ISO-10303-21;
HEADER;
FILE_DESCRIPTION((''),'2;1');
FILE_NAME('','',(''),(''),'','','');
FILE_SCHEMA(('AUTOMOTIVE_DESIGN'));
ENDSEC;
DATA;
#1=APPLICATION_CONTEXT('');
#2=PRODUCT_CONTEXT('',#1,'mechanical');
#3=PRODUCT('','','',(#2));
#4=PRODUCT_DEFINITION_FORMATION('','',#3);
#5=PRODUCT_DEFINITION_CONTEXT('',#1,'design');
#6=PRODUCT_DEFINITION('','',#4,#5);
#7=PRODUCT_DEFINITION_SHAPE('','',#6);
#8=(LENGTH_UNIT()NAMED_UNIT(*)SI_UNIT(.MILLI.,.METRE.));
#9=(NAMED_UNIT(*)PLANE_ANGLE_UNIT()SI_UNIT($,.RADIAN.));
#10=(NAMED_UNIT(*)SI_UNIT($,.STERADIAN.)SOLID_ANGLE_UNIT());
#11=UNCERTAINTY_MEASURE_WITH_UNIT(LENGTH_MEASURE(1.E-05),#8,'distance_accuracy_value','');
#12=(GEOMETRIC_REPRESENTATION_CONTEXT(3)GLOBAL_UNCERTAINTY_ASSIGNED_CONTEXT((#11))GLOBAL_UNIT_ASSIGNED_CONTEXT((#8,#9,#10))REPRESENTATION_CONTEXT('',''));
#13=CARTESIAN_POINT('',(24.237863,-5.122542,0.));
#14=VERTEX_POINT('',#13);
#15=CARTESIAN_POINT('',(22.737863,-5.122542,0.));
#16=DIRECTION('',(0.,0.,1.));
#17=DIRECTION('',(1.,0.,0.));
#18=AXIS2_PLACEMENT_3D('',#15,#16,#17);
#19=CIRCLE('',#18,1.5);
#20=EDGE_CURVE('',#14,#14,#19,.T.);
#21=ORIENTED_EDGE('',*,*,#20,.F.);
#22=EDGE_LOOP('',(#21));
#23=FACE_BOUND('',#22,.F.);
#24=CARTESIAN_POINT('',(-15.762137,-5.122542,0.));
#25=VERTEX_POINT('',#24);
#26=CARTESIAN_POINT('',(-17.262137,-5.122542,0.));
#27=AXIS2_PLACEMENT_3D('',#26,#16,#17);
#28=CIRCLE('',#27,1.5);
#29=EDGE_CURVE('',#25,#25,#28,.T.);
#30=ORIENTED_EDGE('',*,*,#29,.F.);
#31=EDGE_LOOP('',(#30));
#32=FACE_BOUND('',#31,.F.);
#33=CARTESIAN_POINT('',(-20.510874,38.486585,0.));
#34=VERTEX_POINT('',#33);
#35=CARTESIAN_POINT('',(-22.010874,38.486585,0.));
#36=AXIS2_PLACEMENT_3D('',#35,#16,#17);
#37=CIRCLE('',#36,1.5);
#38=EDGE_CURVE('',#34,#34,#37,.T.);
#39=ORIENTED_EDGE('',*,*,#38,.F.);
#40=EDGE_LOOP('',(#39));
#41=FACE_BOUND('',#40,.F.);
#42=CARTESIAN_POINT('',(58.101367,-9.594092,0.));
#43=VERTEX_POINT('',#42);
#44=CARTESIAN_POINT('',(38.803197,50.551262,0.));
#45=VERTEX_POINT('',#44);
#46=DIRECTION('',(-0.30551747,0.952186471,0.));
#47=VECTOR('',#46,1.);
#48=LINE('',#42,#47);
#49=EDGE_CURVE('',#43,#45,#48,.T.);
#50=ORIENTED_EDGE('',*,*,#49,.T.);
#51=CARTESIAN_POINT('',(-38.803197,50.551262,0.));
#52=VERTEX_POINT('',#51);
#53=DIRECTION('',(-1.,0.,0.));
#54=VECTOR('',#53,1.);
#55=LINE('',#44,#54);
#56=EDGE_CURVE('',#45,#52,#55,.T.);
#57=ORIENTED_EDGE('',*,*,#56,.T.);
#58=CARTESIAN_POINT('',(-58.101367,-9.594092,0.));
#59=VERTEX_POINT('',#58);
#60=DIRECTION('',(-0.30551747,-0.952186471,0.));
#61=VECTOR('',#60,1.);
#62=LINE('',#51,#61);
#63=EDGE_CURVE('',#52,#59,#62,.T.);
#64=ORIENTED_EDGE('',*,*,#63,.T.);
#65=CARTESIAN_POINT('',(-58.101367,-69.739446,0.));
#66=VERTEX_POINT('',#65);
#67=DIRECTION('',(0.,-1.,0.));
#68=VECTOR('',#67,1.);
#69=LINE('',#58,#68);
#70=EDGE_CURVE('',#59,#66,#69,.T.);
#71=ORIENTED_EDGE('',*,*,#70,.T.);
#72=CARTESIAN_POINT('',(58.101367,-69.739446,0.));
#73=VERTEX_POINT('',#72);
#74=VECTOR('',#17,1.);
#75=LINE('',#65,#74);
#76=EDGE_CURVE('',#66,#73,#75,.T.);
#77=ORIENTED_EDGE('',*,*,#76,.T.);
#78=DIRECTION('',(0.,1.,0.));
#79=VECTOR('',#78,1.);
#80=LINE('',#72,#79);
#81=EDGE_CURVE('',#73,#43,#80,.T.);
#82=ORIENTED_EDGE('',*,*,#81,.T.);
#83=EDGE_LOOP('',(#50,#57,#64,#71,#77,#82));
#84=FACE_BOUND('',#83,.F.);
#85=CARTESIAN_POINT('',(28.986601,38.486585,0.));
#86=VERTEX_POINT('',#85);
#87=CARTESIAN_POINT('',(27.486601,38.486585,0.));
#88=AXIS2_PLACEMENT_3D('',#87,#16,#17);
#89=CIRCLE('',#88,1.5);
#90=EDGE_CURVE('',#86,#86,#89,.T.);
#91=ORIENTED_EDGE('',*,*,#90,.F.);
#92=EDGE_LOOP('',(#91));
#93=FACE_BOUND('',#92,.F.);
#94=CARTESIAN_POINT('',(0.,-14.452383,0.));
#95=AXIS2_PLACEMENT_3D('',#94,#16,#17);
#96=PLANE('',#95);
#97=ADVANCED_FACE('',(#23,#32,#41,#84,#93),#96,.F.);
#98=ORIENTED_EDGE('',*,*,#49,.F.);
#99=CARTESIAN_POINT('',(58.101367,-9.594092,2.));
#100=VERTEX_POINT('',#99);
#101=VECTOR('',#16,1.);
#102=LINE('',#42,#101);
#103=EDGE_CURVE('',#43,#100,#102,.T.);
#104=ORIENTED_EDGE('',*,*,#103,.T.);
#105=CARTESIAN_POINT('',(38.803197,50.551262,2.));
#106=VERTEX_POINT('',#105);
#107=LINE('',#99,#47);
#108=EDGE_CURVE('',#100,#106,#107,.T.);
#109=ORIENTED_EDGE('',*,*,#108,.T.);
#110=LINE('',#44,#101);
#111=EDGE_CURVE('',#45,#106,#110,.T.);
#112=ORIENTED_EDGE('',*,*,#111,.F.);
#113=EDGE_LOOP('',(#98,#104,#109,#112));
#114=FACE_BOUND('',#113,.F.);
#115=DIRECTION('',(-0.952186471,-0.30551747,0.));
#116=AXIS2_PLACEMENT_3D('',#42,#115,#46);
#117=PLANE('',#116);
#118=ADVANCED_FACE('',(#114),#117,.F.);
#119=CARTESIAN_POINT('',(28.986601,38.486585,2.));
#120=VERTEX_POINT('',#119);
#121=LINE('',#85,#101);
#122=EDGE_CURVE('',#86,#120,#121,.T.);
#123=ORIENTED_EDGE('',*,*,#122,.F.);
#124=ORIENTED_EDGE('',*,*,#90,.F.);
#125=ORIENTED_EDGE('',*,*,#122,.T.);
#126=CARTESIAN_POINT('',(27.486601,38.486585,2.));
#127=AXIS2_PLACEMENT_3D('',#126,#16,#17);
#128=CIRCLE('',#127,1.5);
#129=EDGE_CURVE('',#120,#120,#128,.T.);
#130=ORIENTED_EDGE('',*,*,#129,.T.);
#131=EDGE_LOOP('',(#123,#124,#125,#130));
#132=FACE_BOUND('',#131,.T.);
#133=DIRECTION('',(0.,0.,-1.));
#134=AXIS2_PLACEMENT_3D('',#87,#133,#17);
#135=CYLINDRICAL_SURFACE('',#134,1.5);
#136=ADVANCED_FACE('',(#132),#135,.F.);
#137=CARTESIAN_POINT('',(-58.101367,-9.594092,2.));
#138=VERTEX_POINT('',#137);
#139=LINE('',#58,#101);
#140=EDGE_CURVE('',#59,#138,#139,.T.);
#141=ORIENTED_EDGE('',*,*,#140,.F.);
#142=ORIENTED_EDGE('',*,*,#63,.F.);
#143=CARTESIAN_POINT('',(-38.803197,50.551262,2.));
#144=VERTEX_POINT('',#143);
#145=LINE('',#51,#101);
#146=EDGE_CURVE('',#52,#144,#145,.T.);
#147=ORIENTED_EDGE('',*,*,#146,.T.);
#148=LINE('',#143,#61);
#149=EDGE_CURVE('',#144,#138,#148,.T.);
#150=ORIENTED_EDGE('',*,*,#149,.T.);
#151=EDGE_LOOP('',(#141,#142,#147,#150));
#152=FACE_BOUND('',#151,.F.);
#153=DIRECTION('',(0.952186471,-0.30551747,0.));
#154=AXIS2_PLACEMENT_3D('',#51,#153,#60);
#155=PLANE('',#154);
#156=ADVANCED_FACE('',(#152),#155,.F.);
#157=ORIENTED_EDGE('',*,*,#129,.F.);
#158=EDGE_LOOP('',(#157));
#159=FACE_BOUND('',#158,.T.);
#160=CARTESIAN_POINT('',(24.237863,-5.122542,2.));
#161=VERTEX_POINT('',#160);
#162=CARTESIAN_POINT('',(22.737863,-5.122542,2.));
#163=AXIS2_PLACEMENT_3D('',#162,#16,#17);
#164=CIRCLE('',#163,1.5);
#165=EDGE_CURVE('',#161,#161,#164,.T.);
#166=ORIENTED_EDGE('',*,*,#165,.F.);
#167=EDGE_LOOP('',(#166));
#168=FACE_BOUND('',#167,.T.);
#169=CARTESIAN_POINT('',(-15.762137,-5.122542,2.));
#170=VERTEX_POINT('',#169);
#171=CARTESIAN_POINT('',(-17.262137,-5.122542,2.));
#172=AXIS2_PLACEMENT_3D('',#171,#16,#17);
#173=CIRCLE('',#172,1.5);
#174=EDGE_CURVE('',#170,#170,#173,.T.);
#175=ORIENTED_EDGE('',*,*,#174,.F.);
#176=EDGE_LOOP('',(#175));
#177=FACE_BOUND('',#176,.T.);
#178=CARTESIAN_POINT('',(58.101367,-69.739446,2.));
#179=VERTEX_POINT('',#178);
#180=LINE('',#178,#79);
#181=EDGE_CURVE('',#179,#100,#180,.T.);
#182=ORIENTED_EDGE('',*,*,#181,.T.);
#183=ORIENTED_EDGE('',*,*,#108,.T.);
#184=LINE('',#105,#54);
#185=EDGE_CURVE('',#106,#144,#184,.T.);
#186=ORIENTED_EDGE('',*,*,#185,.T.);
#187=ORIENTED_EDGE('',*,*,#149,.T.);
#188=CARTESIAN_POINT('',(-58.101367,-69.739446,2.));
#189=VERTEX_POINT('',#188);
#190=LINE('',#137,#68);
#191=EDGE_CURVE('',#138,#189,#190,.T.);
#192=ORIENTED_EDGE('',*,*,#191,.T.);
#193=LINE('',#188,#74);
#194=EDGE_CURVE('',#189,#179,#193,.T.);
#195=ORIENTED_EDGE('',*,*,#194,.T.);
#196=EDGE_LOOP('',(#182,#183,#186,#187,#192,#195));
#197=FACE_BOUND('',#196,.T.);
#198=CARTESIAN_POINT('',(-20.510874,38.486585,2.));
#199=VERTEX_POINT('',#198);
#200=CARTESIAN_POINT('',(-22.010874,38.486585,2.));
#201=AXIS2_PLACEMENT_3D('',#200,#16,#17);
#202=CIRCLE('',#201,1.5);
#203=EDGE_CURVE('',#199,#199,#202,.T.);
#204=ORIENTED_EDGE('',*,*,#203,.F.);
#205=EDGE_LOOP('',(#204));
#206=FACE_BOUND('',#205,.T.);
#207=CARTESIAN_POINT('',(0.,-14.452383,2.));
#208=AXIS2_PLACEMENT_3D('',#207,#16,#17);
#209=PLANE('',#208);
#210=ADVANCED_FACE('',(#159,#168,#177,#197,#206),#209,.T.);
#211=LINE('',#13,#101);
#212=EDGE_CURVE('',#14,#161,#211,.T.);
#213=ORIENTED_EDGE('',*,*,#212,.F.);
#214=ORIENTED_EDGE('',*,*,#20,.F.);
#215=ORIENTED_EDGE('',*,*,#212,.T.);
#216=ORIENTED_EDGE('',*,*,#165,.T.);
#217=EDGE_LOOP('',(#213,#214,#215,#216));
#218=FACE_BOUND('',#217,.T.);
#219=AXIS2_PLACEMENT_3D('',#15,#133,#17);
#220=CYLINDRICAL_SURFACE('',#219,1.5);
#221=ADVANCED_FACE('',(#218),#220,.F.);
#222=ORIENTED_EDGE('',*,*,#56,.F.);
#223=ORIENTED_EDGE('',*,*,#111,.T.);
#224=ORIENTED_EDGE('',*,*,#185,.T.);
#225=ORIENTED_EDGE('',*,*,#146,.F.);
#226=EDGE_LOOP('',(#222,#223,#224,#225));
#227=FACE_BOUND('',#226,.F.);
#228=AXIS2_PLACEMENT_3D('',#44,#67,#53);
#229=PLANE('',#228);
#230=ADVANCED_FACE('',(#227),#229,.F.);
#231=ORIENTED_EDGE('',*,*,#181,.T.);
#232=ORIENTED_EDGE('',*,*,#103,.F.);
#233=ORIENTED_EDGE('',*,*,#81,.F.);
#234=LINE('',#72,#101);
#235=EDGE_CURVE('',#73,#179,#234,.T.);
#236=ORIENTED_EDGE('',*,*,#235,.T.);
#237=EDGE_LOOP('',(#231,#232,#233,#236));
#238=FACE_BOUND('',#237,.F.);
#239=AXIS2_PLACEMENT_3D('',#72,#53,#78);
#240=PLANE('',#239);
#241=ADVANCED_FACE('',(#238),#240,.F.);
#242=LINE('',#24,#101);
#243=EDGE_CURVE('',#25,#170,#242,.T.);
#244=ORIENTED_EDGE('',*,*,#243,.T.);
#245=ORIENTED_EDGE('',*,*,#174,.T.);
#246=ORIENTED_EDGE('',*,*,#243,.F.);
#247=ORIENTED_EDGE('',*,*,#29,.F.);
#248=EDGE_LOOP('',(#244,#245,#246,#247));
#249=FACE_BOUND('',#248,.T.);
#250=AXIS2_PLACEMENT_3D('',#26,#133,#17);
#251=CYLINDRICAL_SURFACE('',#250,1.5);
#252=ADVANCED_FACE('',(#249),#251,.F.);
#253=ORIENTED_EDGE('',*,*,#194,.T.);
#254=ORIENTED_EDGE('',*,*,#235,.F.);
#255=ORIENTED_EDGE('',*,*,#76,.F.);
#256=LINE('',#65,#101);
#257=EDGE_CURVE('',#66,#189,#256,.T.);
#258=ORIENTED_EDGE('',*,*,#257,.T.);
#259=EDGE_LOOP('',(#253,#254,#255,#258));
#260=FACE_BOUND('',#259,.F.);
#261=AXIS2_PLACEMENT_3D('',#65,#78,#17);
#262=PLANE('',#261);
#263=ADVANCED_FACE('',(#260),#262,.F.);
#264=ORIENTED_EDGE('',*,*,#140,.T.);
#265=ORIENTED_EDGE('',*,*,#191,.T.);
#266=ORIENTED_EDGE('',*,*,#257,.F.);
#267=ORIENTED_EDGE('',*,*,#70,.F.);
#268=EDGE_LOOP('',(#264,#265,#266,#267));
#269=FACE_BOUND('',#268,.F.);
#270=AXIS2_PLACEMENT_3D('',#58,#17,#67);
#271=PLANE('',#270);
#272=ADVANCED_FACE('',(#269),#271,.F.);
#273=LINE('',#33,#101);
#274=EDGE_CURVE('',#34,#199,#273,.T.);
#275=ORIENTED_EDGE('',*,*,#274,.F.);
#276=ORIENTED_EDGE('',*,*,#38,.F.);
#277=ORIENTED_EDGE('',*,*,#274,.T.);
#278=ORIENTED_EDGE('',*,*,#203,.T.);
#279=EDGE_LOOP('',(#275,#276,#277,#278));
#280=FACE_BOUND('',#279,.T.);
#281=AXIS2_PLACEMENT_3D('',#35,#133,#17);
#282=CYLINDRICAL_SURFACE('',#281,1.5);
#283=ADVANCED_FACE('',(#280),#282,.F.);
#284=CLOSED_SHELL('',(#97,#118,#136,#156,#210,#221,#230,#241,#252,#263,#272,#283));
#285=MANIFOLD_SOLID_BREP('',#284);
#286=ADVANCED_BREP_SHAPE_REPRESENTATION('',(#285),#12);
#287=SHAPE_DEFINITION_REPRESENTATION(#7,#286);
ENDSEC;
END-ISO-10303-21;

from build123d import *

# Parameters (mm, degrees)
F0_R     = 1.5
F1_DEPTH = 2


with BuildPart() as f1:
    # F0 (on Top) → F1 (new body)
    with BuildSketch(Plane.XY):
        Polygon((38.803197, 50.551262), (-38.803197, 50.551262), (-58.101367, -9.594092), (-58.101367, -69.739446), (-38.803197, -69.739446), (38.803197, -69.739446), (58.101367, -69.739446), (58.101367, -9.594092), align=None)
        with Locations((-17.262137, -5.122542)):
            Circle(F0_R, mode=Mode.SUBTRACT)
        with Locations((-22.010874, 38.486585)):
            Circle(F0_R, mode=Mode.SUBTRACT)
        with Locations((22.737863, -5.122542)):
            Circle(F0_R, mode=Mode.SUBTRACT)
        with Locations((27.486601, 38.486585)):
            Circle(F0_R, mode=Mode.SUBTRACT)
    extrude(amount=F1_DEPTH)


solid = f1.part
